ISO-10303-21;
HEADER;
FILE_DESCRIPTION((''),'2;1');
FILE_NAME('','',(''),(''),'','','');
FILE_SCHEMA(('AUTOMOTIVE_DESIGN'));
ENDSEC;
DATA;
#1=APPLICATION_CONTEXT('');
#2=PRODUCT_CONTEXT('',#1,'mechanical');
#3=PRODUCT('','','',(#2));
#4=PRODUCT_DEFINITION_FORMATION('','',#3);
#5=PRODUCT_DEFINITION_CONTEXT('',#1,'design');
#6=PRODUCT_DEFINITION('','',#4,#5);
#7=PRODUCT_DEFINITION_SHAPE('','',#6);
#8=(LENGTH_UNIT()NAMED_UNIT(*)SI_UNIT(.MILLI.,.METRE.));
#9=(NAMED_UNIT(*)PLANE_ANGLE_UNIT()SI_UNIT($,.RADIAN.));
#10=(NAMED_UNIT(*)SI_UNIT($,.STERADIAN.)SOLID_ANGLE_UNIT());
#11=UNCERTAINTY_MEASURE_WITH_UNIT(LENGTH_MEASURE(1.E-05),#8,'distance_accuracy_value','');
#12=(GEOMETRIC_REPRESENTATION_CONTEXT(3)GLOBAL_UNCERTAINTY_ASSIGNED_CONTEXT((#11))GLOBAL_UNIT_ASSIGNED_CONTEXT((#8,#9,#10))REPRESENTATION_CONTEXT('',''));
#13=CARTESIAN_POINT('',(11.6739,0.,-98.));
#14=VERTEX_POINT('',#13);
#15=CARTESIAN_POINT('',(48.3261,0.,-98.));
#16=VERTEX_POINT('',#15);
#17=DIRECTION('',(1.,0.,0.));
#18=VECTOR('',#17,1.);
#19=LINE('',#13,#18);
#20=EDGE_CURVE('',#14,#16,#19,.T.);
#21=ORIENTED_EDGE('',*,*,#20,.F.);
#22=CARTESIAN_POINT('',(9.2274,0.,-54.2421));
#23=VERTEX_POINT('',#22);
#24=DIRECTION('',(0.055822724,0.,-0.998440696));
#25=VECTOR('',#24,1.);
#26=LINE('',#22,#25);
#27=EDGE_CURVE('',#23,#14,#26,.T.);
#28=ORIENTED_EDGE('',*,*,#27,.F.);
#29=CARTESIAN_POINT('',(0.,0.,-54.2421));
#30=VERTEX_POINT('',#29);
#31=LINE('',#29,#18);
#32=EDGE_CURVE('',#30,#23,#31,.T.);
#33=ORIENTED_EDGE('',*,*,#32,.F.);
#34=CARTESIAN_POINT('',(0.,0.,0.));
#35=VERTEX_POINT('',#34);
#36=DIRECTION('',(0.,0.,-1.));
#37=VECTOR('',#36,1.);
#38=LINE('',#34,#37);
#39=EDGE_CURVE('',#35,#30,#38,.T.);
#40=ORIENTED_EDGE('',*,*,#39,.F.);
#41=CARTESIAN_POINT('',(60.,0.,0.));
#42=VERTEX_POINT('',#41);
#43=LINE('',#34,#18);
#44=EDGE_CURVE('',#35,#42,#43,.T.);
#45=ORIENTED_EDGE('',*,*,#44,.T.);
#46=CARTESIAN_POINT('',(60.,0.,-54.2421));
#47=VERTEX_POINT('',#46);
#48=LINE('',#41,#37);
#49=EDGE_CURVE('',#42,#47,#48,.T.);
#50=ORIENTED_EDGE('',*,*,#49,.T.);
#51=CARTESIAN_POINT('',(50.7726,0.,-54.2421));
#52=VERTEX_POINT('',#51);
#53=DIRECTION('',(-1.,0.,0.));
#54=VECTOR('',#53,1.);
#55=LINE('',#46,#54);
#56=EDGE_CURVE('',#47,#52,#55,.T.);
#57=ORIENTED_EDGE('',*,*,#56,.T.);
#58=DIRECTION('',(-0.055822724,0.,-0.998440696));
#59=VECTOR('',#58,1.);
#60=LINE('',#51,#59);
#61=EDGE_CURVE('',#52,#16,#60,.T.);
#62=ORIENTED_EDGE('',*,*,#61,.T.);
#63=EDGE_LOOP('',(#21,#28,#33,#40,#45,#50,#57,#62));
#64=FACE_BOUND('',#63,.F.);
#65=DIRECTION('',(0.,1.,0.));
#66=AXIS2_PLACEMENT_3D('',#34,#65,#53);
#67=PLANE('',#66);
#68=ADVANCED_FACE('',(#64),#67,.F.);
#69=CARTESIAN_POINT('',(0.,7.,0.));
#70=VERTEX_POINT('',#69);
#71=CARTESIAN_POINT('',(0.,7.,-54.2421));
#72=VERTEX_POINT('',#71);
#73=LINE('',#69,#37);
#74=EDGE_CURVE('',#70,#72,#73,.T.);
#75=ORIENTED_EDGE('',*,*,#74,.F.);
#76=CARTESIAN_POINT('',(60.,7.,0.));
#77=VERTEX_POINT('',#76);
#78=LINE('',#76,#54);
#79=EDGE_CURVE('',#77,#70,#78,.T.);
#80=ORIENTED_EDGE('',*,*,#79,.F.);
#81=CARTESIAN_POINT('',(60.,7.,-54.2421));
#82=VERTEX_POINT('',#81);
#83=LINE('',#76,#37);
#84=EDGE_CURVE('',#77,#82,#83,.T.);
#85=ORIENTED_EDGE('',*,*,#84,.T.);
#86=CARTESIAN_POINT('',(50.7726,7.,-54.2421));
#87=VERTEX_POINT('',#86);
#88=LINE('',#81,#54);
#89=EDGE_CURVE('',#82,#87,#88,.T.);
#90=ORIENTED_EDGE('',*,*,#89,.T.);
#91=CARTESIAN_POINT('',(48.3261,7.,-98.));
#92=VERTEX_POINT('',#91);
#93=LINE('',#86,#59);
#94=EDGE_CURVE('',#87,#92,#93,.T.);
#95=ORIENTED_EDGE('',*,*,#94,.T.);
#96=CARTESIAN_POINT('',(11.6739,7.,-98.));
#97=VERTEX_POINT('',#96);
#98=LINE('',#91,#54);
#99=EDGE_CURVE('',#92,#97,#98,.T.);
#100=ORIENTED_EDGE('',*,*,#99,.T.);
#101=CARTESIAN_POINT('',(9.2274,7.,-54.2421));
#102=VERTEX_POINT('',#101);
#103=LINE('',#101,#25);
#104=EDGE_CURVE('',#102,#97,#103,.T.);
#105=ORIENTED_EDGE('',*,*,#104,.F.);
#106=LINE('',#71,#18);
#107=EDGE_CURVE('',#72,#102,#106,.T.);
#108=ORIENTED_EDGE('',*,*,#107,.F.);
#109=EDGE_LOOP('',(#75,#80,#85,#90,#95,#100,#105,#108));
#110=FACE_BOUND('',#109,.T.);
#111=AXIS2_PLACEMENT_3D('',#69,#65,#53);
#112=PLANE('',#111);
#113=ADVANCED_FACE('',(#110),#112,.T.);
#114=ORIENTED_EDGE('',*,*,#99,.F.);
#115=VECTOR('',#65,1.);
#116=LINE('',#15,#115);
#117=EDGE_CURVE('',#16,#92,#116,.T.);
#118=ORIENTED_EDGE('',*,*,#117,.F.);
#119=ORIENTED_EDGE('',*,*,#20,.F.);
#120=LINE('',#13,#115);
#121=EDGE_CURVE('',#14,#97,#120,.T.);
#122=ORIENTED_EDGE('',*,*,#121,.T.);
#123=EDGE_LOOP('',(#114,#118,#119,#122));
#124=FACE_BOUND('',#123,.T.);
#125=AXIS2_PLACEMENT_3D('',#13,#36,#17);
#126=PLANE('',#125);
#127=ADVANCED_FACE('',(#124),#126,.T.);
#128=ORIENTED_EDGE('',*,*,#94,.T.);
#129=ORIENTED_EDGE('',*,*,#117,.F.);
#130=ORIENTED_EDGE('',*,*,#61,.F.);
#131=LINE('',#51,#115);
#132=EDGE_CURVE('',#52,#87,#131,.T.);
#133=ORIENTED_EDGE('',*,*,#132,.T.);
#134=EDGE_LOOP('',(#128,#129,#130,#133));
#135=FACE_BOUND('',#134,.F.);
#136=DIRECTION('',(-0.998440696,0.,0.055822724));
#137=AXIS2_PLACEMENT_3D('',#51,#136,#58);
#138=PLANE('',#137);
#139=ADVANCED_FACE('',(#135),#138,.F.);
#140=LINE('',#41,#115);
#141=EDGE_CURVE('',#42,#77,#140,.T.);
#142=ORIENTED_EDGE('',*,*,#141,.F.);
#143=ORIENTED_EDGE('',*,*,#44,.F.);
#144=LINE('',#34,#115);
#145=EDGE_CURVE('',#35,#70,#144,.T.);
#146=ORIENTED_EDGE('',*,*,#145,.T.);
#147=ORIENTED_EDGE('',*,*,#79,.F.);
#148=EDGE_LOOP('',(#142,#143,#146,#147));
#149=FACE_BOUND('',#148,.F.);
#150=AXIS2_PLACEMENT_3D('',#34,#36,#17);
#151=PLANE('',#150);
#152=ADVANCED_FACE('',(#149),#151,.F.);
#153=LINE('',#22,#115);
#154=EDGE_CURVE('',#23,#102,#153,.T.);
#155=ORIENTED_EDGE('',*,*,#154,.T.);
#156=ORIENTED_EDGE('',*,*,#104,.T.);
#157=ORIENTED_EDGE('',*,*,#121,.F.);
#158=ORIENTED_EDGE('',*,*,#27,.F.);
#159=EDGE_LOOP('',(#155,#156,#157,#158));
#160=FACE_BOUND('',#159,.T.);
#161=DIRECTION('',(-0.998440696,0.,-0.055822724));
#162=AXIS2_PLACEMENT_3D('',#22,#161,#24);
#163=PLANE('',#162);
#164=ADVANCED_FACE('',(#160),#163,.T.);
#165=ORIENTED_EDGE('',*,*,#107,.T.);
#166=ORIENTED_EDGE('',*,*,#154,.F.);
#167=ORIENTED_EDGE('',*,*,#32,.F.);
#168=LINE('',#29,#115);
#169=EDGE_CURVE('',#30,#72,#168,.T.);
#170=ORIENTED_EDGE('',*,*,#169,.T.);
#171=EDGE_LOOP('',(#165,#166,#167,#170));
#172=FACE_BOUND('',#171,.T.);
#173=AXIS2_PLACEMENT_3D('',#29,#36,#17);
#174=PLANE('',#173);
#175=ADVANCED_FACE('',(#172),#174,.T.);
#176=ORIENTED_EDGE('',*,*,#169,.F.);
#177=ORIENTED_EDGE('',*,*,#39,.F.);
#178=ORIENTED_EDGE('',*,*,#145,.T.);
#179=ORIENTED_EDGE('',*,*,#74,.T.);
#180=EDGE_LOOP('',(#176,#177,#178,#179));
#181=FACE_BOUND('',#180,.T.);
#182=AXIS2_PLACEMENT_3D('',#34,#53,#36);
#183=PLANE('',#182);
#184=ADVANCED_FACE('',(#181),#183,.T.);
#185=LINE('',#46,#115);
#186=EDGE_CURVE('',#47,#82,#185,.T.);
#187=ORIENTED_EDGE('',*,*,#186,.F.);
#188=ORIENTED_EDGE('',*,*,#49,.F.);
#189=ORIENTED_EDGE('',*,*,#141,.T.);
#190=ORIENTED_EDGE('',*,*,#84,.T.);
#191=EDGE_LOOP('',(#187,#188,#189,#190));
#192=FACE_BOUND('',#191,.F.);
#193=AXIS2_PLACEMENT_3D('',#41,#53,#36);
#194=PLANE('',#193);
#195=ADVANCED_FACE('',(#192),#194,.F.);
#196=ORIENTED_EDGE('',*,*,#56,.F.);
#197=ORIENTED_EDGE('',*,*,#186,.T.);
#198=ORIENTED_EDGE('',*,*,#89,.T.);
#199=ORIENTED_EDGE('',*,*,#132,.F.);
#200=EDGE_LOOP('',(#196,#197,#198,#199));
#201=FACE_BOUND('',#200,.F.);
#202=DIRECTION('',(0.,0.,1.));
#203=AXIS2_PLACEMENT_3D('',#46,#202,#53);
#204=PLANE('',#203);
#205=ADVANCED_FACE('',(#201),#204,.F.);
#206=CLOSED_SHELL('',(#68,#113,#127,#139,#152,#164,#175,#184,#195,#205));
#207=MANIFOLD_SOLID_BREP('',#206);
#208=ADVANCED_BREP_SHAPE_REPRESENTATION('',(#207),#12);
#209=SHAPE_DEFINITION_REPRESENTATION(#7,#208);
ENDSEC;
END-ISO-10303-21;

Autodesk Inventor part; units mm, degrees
ref_plane "YZ Plane" through (0, 0, 0) normal (1, 0, 0) x (0, 1, 0)
ref_plane "XZ Plane" through (0, 0, 0) normal (0, 1, 0) x (-1, 0, 0)
ref_plane "XY Plane" through (0, 0, 0) normal (0, 0, 1) x (1, 0, 0)
sketch "Sketch1" plane through (0, 0, 0) normal (0, 1, 0) x (-1, 0, 0)
  line L0 (0, 0) -> (-30, 0)
  line L1 (-30, 0) -> (-30, -98)
  line L2 (0, 0) -> (0, -54.2421)
  line L3 (0, -54.2421) -> (-9.2274, -54.2421)
  line L4 (-9.2274, -54.2421) -> (-11.6739, -98)
  line L5 (-11.6739, -98) -> (-30, -98)
  line L6 (-60, 0) -> (-30, 0)
  line L7 (-60, 0) -> (-60, -54.2421)
  line L8 (-60, -54.2421) -> (-50.7726, -54.2421)
  line L9 (-50.7726, -54.2421) -> (-48.3261, -98)
  line L10 (-48.3261, -98) -> (-30, -98)
  dimension "d4" = 98
  dimension "d7" = 30
extrude "Extrusion2" add sketch "Sketch1" along normal blind 7
ref_plane "Work Plane1" through (30, 0, 0) normal (1, 0, 0) x (0, 0, -1)
properties part number "Motor Mount"
